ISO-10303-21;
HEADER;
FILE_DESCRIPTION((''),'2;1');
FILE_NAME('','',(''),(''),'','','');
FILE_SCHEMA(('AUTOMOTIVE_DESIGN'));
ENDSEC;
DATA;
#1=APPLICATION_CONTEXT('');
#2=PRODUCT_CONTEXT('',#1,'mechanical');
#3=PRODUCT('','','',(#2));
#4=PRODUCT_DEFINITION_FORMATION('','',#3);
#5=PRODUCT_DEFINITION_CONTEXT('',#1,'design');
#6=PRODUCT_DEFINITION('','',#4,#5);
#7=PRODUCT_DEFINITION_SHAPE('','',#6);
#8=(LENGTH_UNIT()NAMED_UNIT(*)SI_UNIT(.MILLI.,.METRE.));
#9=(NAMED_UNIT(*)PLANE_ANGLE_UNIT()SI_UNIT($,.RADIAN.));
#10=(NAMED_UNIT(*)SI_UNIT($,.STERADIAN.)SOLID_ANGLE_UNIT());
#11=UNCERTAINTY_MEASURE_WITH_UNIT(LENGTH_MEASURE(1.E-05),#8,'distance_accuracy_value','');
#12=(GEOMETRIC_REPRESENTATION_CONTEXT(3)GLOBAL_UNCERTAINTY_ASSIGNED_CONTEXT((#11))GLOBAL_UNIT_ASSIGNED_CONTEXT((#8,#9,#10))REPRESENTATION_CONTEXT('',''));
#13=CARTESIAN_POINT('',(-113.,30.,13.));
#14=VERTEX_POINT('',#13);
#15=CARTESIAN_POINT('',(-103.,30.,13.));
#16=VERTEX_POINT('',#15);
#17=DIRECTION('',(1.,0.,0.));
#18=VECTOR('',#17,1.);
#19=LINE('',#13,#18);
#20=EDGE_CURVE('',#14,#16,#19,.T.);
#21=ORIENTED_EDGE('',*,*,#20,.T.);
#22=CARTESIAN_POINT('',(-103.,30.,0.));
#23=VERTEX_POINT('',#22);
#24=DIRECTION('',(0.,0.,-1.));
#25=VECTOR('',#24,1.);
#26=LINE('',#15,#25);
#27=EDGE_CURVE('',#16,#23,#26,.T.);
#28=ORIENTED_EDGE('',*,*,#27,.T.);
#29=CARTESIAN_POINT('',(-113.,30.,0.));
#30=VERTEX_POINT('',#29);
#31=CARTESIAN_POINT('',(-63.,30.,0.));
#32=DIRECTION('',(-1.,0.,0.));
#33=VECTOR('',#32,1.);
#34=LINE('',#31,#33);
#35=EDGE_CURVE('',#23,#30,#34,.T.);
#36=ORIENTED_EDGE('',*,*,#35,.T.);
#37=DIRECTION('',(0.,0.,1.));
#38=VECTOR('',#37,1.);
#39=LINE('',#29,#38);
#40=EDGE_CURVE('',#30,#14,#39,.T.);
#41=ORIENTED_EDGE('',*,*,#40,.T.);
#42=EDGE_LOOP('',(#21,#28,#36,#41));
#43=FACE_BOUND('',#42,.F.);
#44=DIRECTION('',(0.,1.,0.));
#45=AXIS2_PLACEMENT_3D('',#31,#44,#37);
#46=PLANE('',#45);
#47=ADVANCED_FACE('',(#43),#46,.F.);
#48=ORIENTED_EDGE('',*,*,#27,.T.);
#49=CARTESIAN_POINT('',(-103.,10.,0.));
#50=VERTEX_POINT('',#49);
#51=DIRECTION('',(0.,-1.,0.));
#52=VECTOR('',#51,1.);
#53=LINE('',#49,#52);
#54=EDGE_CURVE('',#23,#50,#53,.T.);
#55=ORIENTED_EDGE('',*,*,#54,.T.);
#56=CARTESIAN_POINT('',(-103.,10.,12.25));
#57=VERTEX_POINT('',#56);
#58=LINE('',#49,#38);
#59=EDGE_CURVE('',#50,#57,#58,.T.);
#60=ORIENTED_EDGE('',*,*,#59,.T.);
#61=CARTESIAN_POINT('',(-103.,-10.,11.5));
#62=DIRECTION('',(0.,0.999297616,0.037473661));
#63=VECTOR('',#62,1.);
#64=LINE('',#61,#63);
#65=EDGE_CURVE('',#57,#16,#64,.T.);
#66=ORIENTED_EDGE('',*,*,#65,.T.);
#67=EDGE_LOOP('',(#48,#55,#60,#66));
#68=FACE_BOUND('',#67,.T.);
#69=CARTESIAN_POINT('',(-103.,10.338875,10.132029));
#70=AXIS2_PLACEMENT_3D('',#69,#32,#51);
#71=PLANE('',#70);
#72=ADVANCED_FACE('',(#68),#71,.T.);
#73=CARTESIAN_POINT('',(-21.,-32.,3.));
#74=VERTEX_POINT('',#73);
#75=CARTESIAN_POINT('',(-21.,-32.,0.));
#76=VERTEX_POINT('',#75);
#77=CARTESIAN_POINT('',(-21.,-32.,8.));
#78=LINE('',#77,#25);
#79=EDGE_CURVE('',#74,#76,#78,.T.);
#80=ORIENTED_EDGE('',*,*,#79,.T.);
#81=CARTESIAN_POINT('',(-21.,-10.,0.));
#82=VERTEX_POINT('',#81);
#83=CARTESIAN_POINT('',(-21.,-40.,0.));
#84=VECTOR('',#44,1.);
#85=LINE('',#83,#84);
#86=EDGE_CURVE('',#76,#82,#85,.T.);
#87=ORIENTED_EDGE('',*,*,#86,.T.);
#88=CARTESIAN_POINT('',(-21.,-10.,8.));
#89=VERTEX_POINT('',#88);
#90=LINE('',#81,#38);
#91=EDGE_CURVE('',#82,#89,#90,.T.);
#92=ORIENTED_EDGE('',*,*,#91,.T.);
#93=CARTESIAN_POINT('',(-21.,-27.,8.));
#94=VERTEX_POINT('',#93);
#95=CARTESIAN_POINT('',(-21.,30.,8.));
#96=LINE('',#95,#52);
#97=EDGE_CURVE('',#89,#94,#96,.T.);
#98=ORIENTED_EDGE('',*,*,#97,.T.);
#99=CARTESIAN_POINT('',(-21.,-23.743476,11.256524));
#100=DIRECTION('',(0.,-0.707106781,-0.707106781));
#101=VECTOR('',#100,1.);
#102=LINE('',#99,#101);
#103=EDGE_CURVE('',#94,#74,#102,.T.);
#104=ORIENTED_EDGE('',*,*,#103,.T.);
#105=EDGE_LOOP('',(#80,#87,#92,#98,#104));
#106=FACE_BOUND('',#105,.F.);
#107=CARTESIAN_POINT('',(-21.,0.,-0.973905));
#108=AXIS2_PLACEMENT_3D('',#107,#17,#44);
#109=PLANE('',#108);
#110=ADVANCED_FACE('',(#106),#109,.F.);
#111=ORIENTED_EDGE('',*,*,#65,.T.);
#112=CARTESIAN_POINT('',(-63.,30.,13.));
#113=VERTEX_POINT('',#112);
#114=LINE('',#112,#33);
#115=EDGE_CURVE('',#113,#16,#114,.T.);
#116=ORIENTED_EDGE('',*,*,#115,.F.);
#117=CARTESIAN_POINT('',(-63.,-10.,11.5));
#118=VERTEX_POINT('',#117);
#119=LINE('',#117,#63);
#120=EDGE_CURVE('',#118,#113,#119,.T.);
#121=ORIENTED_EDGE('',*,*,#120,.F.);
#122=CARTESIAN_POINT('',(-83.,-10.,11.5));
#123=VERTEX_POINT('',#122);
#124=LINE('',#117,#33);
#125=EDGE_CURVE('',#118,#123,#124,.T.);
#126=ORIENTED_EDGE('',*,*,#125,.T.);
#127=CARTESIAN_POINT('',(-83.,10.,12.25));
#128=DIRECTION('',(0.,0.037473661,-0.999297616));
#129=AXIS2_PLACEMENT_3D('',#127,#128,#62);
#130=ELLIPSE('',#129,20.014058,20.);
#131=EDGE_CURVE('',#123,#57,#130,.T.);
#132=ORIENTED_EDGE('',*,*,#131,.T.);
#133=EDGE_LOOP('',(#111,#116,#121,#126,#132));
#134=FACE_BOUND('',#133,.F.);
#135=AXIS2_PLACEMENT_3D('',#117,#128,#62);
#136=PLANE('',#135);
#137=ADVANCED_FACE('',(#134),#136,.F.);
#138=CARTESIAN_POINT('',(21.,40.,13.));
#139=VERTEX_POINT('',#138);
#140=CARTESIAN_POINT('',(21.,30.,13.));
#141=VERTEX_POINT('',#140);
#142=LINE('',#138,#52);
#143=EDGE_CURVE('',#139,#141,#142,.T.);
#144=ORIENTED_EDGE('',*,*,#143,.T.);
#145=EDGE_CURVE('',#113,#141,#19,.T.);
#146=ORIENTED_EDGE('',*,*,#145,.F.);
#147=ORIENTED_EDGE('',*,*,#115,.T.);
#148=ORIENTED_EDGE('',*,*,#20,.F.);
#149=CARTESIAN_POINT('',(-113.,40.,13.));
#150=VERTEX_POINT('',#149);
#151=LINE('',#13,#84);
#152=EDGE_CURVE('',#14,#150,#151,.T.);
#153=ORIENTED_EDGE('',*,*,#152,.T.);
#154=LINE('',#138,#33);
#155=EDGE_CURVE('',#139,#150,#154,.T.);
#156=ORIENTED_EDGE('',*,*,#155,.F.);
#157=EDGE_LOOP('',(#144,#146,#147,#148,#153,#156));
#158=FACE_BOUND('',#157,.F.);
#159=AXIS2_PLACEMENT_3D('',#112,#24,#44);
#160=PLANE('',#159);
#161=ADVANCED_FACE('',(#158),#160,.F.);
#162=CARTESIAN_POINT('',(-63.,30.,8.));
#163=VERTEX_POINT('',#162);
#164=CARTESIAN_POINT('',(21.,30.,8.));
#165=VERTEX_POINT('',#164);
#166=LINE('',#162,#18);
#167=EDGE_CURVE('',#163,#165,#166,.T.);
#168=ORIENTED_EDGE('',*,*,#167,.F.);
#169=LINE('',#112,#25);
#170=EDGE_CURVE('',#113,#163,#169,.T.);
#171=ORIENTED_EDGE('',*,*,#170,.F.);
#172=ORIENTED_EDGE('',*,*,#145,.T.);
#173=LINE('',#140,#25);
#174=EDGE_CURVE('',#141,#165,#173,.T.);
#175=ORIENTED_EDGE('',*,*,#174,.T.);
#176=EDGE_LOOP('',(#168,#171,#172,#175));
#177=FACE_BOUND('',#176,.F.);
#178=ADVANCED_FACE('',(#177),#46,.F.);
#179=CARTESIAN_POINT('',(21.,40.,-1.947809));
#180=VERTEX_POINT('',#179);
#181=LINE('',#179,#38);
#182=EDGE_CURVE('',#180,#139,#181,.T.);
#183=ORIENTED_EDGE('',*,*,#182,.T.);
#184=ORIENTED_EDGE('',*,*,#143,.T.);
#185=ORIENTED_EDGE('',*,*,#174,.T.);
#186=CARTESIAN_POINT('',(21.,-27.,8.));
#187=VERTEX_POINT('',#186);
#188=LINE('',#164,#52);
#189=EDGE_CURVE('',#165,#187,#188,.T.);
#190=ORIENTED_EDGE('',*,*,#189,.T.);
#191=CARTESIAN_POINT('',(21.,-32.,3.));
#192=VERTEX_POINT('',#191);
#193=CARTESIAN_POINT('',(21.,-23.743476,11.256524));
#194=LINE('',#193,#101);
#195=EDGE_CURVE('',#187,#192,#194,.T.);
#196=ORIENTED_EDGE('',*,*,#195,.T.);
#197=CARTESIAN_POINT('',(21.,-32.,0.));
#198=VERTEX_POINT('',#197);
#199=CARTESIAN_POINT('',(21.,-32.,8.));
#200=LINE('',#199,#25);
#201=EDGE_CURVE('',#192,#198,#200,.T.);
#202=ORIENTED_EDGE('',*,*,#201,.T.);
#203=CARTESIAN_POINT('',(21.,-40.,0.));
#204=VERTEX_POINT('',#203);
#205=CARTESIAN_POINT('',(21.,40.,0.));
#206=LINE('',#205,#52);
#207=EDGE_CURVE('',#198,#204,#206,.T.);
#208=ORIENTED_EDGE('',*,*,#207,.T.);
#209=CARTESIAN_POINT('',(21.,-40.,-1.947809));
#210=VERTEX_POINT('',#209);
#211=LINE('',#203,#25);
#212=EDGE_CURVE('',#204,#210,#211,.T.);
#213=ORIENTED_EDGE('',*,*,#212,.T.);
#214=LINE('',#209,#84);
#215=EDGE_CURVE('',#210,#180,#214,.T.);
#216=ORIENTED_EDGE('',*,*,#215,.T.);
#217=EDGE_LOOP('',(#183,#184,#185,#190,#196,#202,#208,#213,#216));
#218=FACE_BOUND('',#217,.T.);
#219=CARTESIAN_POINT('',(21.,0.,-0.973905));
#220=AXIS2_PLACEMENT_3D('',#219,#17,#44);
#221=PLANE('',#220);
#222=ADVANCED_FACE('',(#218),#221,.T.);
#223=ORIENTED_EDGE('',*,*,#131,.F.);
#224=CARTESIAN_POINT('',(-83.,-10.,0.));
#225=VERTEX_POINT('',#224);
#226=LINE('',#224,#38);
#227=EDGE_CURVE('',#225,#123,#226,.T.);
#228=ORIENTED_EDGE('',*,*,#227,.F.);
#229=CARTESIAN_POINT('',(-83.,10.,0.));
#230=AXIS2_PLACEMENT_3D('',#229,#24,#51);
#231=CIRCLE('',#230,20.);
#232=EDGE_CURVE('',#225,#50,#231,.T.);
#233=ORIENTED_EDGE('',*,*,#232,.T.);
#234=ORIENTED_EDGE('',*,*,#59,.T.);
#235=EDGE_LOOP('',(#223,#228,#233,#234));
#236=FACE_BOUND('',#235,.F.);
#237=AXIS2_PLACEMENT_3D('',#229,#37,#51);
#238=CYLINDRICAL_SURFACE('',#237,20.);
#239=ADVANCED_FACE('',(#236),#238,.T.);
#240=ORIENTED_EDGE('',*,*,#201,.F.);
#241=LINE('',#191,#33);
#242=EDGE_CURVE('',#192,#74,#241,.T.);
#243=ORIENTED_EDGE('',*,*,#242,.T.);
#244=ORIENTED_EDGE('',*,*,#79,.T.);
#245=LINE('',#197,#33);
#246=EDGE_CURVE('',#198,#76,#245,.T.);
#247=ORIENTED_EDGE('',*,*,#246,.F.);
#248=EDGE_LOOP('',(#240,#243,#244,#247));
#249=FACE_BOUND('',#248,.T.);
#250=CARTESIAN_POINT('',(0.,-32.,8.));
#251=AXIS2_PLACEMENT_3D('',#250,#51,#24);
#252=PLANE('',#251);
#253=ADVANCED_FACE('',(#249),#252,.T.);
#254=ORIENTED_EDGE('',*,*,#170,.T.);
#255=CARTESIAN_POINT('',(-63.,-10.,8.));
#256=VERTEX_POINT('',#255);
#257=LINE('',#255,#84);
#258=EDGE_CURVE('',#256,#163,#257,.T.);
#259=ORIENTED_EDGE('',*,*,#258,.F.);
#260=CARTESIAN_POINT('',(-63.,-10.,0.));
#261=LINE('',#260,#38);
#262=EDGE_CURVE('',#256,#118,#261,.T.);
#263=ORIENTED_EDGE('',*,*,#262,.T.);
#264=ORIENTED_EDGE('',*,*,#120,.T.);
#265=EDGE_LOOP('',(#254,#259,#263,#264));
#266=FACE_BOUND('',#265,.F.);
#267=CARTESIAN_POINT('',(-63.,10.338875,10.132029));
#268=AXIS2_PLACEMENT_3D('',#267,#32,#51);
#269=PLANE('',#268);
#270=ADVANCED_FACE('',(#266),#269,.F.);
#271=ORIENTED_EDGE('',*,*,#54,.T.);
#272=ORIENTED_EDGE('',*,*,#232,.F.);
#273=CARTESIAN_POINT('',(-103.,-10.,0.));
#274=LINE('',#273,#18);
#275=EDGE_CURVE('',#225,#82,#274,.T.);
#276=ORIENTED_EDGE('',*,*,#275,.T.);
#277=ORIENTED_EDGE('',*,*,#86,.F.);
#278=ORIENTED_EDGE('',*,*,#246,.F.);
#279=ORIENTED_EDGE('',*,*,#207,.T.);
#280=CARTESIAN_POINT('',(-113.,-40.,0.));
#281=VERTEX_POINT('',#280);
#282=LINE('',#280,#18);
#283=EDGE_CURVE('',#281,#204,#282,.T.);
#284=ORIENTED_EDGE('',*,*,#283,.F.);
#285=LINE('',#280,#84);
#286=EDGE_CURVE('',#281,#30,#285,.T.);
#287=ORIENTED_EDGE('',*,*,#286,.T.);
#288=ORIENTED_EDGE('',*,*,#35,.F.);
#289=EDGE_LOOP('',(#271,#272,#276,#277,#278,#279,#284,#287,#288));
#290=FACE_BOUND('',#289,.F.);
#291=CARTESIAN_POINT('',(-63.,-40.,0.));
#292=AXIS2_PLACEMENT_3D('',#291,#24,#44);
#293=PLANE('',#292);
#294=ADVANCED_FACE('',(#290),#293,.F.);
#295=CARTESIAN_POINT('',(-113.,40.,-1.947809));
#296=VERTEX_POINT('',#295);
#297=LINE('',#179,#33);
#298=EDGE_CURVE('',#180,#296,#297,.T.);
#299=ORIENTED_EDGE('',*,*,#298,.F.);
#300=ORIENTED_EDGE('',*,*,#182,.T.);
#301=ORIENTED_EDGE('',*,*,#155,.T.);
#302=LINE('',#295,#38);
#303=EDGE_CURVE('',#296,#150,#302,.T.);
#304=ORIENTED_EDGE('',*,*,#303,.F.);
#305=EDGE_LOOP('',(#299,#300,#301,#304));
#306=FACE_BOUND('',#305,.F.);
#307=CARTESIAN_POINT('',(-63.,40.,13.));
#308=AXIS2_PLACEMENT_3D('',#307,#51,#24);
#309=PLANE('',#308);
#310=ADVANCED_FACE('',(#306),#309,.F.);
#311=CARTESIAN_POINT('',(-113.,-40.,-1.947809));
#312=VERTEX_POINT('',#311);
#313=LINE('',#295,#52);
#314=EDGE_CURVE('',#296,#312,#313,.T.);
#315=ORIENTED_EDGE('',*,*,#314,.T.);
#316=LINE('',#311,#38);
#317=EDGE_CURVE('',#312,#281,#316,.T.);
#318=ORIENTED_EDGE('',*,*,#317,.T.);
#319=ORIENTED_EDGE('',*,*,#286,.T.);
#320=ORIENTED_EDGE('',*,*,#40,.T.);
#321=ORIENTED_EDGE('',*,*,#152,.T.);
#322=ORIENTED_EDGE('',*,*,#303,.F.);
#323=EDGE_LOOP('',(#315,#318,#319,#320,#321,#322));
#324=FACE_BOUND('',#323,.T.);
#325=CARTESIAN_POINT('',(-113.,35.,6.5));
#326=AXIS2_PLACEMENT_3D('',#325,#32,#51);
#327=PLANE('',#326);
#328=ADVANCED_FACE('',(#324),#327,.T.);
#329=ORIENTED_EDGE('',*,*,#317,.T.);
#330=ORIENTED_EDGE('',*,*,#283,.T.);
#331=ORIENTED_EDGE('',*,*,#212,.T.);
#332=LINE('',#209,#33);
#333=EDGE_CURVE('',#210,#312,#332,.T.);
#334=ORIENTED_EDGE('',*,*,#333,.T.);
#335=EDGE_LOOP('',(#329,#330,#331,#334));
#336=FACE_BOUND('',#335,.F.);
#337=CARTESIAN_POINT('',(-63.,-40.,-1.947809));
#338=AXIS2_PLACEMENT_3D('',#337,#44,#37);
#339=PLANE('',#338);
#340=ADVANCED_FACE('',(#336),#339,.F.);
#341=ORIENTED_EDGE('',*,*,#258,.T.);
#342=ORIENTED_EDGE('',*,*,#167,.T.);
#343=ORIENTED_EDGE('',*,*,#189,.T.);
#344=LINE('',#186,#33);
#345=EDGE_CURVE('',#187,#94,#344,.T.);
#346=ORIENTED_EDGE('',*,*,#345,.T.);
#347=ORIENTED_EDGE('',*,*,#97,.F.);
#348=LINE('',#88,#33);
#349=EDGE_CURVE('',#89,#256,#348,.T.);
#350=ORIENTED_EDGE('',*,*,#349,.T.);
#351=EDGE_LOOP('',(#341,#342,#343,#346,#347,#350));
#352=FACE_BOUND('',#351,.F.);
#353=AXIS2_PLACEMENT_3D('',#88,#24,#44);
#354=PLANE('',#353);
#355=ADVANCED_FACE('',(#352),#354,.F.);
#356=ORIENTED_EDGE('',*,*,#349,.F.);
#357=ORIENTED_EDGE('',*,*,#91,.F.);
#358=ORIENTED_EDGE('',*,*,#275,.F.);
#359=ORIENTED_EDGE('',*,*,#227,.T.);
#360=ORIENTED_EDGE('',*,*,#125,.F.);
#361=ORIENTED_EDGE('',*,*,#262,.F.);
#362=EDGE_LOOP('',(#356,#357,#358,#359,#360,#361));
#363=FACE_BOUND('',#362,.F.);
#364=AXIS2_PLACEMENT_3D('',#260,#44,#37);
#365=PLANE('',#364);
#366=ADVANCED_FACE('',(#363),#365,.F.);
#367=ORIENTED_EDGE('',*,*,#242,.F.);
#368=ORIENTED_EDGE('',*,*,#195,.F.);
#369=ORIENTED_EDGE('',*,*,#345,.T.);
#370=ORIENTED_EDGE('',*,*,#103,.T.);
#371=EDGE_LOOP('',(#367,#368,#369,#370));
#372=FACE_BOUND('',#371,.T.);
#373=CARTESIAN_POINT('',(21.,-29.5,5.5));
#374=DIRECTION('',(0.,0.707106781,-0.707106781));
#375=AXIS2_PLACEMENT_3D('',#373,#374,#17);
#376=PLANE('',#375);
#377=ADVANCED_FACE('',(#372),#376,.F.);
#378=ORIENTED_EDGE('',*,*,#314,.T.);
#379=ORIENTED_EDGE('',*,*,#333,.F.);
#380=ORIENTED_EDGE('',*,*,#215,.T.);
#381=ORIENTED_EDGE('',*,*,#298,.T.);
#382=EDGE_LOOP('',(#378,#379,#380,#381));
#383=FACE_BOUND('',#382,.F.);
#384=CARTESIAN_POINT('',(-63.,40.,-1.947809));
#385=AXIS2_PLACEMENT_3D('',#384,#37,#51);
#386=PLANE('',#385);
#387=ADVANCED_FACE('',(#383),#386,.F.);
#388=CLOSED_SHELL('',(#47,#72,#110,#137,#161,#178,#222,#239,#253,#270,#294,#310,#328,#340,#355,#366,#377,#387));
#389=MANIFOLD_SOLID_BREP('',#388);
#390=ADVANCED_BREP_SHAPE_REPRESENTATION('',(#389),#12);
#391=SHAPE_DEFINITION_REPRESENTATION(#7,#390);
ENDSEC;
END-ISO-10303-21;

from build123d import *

# Parameters (mm, degrees)
F1_DEPTH = 21
F3_DEPTH = 42
F5_DEPTH = 50
F7_DEPTH = 50
F8_W     = 40
F8_H     = 8
F9_DEPTH = 40
F10_R    = 20
F11_SIZE = 5


with BuildPart() as f1:
    # F0 (on Right) → F1 (new body, symmetric)
    with BuildSketch(Plane.YZ):
        Polygon((40, 0), (0, 0), (-32, 0), (-40, 0), (-40, -1.9478090107), (40, -1.9478090107), align=None)
        Polygon((-32, 0), (0, 0), (40, 0), (40, 13), (30, 13), (30, 8), (-32, 8), align=None)
    extrude(amount=F1_DEPTH, both=True)

    # F2 (on face) → F3 (join)
    with BuildSketch(Plane(origin=(-21, 0, 0), x_dir=(0, -1, 0), z_dir=(-1, 0, 0))):
        Polygon((-30, 13), (-40, 13), (-40, -1.9478090107), (40, -1.9478090107), (40, 0), (32, 0), (10, 0), (10, 8), (-30, 8), align=None)
    extrude(amount=F3_DEPTH)

    # F4 (on face) → F5 (join)
    with BuildSketch(Plane(origin=(-63, 0, 0), x_dir=(0, -1, 0), z_dir=(-1, 0, 0))):
        Polygon((-40, 0), (-40, -1.9478090107), (40, -1.9478090107), (40, 0), (10, 0), align=None)
    extrude(amount=F5_DEPTH)

    # F6 (on face) → F7 (join)
    with BuildSketch(Plane(origin=(-63, 0, 0), x_dir=(0, -1, 0), z_dir=(-1, 0, 0))):
        Polygon((-30, 13), (-40, 13), (-40, 0), (-30, 0), (-30, 8), align=None)
    extrude(amount=F7_DEPTH)

    # F8 (on face) → F9 (join)
    with BuildSketch(Plane(origin=(-63, 0, 0), x_dir=(0, -1, 0), z_dir=(-1, 0, 0))):
        Polygon((-30, 13), (-30, 8), (10, 8), (10, 11.5), align=None)
        with Locations((-10, 4)):
            Rectangle(F8_W, F8_H)
    extrude(amount=F9_DEPTH)

    # F10
    f10_edges = [f1.edges().sort_by_distance(p)[0] for p in [
        (-103, -10, 5.75),
    ]]
    fillet(f10_edges, radius=F10_R)

    # F11
    f11_edges = [f1.edges().sort_by_distance(p)[0] for p in [
        (0, -32, 8),
    ]]
    chamfer(f11_edges, length=F11_SIZE)


solid = f1.part
